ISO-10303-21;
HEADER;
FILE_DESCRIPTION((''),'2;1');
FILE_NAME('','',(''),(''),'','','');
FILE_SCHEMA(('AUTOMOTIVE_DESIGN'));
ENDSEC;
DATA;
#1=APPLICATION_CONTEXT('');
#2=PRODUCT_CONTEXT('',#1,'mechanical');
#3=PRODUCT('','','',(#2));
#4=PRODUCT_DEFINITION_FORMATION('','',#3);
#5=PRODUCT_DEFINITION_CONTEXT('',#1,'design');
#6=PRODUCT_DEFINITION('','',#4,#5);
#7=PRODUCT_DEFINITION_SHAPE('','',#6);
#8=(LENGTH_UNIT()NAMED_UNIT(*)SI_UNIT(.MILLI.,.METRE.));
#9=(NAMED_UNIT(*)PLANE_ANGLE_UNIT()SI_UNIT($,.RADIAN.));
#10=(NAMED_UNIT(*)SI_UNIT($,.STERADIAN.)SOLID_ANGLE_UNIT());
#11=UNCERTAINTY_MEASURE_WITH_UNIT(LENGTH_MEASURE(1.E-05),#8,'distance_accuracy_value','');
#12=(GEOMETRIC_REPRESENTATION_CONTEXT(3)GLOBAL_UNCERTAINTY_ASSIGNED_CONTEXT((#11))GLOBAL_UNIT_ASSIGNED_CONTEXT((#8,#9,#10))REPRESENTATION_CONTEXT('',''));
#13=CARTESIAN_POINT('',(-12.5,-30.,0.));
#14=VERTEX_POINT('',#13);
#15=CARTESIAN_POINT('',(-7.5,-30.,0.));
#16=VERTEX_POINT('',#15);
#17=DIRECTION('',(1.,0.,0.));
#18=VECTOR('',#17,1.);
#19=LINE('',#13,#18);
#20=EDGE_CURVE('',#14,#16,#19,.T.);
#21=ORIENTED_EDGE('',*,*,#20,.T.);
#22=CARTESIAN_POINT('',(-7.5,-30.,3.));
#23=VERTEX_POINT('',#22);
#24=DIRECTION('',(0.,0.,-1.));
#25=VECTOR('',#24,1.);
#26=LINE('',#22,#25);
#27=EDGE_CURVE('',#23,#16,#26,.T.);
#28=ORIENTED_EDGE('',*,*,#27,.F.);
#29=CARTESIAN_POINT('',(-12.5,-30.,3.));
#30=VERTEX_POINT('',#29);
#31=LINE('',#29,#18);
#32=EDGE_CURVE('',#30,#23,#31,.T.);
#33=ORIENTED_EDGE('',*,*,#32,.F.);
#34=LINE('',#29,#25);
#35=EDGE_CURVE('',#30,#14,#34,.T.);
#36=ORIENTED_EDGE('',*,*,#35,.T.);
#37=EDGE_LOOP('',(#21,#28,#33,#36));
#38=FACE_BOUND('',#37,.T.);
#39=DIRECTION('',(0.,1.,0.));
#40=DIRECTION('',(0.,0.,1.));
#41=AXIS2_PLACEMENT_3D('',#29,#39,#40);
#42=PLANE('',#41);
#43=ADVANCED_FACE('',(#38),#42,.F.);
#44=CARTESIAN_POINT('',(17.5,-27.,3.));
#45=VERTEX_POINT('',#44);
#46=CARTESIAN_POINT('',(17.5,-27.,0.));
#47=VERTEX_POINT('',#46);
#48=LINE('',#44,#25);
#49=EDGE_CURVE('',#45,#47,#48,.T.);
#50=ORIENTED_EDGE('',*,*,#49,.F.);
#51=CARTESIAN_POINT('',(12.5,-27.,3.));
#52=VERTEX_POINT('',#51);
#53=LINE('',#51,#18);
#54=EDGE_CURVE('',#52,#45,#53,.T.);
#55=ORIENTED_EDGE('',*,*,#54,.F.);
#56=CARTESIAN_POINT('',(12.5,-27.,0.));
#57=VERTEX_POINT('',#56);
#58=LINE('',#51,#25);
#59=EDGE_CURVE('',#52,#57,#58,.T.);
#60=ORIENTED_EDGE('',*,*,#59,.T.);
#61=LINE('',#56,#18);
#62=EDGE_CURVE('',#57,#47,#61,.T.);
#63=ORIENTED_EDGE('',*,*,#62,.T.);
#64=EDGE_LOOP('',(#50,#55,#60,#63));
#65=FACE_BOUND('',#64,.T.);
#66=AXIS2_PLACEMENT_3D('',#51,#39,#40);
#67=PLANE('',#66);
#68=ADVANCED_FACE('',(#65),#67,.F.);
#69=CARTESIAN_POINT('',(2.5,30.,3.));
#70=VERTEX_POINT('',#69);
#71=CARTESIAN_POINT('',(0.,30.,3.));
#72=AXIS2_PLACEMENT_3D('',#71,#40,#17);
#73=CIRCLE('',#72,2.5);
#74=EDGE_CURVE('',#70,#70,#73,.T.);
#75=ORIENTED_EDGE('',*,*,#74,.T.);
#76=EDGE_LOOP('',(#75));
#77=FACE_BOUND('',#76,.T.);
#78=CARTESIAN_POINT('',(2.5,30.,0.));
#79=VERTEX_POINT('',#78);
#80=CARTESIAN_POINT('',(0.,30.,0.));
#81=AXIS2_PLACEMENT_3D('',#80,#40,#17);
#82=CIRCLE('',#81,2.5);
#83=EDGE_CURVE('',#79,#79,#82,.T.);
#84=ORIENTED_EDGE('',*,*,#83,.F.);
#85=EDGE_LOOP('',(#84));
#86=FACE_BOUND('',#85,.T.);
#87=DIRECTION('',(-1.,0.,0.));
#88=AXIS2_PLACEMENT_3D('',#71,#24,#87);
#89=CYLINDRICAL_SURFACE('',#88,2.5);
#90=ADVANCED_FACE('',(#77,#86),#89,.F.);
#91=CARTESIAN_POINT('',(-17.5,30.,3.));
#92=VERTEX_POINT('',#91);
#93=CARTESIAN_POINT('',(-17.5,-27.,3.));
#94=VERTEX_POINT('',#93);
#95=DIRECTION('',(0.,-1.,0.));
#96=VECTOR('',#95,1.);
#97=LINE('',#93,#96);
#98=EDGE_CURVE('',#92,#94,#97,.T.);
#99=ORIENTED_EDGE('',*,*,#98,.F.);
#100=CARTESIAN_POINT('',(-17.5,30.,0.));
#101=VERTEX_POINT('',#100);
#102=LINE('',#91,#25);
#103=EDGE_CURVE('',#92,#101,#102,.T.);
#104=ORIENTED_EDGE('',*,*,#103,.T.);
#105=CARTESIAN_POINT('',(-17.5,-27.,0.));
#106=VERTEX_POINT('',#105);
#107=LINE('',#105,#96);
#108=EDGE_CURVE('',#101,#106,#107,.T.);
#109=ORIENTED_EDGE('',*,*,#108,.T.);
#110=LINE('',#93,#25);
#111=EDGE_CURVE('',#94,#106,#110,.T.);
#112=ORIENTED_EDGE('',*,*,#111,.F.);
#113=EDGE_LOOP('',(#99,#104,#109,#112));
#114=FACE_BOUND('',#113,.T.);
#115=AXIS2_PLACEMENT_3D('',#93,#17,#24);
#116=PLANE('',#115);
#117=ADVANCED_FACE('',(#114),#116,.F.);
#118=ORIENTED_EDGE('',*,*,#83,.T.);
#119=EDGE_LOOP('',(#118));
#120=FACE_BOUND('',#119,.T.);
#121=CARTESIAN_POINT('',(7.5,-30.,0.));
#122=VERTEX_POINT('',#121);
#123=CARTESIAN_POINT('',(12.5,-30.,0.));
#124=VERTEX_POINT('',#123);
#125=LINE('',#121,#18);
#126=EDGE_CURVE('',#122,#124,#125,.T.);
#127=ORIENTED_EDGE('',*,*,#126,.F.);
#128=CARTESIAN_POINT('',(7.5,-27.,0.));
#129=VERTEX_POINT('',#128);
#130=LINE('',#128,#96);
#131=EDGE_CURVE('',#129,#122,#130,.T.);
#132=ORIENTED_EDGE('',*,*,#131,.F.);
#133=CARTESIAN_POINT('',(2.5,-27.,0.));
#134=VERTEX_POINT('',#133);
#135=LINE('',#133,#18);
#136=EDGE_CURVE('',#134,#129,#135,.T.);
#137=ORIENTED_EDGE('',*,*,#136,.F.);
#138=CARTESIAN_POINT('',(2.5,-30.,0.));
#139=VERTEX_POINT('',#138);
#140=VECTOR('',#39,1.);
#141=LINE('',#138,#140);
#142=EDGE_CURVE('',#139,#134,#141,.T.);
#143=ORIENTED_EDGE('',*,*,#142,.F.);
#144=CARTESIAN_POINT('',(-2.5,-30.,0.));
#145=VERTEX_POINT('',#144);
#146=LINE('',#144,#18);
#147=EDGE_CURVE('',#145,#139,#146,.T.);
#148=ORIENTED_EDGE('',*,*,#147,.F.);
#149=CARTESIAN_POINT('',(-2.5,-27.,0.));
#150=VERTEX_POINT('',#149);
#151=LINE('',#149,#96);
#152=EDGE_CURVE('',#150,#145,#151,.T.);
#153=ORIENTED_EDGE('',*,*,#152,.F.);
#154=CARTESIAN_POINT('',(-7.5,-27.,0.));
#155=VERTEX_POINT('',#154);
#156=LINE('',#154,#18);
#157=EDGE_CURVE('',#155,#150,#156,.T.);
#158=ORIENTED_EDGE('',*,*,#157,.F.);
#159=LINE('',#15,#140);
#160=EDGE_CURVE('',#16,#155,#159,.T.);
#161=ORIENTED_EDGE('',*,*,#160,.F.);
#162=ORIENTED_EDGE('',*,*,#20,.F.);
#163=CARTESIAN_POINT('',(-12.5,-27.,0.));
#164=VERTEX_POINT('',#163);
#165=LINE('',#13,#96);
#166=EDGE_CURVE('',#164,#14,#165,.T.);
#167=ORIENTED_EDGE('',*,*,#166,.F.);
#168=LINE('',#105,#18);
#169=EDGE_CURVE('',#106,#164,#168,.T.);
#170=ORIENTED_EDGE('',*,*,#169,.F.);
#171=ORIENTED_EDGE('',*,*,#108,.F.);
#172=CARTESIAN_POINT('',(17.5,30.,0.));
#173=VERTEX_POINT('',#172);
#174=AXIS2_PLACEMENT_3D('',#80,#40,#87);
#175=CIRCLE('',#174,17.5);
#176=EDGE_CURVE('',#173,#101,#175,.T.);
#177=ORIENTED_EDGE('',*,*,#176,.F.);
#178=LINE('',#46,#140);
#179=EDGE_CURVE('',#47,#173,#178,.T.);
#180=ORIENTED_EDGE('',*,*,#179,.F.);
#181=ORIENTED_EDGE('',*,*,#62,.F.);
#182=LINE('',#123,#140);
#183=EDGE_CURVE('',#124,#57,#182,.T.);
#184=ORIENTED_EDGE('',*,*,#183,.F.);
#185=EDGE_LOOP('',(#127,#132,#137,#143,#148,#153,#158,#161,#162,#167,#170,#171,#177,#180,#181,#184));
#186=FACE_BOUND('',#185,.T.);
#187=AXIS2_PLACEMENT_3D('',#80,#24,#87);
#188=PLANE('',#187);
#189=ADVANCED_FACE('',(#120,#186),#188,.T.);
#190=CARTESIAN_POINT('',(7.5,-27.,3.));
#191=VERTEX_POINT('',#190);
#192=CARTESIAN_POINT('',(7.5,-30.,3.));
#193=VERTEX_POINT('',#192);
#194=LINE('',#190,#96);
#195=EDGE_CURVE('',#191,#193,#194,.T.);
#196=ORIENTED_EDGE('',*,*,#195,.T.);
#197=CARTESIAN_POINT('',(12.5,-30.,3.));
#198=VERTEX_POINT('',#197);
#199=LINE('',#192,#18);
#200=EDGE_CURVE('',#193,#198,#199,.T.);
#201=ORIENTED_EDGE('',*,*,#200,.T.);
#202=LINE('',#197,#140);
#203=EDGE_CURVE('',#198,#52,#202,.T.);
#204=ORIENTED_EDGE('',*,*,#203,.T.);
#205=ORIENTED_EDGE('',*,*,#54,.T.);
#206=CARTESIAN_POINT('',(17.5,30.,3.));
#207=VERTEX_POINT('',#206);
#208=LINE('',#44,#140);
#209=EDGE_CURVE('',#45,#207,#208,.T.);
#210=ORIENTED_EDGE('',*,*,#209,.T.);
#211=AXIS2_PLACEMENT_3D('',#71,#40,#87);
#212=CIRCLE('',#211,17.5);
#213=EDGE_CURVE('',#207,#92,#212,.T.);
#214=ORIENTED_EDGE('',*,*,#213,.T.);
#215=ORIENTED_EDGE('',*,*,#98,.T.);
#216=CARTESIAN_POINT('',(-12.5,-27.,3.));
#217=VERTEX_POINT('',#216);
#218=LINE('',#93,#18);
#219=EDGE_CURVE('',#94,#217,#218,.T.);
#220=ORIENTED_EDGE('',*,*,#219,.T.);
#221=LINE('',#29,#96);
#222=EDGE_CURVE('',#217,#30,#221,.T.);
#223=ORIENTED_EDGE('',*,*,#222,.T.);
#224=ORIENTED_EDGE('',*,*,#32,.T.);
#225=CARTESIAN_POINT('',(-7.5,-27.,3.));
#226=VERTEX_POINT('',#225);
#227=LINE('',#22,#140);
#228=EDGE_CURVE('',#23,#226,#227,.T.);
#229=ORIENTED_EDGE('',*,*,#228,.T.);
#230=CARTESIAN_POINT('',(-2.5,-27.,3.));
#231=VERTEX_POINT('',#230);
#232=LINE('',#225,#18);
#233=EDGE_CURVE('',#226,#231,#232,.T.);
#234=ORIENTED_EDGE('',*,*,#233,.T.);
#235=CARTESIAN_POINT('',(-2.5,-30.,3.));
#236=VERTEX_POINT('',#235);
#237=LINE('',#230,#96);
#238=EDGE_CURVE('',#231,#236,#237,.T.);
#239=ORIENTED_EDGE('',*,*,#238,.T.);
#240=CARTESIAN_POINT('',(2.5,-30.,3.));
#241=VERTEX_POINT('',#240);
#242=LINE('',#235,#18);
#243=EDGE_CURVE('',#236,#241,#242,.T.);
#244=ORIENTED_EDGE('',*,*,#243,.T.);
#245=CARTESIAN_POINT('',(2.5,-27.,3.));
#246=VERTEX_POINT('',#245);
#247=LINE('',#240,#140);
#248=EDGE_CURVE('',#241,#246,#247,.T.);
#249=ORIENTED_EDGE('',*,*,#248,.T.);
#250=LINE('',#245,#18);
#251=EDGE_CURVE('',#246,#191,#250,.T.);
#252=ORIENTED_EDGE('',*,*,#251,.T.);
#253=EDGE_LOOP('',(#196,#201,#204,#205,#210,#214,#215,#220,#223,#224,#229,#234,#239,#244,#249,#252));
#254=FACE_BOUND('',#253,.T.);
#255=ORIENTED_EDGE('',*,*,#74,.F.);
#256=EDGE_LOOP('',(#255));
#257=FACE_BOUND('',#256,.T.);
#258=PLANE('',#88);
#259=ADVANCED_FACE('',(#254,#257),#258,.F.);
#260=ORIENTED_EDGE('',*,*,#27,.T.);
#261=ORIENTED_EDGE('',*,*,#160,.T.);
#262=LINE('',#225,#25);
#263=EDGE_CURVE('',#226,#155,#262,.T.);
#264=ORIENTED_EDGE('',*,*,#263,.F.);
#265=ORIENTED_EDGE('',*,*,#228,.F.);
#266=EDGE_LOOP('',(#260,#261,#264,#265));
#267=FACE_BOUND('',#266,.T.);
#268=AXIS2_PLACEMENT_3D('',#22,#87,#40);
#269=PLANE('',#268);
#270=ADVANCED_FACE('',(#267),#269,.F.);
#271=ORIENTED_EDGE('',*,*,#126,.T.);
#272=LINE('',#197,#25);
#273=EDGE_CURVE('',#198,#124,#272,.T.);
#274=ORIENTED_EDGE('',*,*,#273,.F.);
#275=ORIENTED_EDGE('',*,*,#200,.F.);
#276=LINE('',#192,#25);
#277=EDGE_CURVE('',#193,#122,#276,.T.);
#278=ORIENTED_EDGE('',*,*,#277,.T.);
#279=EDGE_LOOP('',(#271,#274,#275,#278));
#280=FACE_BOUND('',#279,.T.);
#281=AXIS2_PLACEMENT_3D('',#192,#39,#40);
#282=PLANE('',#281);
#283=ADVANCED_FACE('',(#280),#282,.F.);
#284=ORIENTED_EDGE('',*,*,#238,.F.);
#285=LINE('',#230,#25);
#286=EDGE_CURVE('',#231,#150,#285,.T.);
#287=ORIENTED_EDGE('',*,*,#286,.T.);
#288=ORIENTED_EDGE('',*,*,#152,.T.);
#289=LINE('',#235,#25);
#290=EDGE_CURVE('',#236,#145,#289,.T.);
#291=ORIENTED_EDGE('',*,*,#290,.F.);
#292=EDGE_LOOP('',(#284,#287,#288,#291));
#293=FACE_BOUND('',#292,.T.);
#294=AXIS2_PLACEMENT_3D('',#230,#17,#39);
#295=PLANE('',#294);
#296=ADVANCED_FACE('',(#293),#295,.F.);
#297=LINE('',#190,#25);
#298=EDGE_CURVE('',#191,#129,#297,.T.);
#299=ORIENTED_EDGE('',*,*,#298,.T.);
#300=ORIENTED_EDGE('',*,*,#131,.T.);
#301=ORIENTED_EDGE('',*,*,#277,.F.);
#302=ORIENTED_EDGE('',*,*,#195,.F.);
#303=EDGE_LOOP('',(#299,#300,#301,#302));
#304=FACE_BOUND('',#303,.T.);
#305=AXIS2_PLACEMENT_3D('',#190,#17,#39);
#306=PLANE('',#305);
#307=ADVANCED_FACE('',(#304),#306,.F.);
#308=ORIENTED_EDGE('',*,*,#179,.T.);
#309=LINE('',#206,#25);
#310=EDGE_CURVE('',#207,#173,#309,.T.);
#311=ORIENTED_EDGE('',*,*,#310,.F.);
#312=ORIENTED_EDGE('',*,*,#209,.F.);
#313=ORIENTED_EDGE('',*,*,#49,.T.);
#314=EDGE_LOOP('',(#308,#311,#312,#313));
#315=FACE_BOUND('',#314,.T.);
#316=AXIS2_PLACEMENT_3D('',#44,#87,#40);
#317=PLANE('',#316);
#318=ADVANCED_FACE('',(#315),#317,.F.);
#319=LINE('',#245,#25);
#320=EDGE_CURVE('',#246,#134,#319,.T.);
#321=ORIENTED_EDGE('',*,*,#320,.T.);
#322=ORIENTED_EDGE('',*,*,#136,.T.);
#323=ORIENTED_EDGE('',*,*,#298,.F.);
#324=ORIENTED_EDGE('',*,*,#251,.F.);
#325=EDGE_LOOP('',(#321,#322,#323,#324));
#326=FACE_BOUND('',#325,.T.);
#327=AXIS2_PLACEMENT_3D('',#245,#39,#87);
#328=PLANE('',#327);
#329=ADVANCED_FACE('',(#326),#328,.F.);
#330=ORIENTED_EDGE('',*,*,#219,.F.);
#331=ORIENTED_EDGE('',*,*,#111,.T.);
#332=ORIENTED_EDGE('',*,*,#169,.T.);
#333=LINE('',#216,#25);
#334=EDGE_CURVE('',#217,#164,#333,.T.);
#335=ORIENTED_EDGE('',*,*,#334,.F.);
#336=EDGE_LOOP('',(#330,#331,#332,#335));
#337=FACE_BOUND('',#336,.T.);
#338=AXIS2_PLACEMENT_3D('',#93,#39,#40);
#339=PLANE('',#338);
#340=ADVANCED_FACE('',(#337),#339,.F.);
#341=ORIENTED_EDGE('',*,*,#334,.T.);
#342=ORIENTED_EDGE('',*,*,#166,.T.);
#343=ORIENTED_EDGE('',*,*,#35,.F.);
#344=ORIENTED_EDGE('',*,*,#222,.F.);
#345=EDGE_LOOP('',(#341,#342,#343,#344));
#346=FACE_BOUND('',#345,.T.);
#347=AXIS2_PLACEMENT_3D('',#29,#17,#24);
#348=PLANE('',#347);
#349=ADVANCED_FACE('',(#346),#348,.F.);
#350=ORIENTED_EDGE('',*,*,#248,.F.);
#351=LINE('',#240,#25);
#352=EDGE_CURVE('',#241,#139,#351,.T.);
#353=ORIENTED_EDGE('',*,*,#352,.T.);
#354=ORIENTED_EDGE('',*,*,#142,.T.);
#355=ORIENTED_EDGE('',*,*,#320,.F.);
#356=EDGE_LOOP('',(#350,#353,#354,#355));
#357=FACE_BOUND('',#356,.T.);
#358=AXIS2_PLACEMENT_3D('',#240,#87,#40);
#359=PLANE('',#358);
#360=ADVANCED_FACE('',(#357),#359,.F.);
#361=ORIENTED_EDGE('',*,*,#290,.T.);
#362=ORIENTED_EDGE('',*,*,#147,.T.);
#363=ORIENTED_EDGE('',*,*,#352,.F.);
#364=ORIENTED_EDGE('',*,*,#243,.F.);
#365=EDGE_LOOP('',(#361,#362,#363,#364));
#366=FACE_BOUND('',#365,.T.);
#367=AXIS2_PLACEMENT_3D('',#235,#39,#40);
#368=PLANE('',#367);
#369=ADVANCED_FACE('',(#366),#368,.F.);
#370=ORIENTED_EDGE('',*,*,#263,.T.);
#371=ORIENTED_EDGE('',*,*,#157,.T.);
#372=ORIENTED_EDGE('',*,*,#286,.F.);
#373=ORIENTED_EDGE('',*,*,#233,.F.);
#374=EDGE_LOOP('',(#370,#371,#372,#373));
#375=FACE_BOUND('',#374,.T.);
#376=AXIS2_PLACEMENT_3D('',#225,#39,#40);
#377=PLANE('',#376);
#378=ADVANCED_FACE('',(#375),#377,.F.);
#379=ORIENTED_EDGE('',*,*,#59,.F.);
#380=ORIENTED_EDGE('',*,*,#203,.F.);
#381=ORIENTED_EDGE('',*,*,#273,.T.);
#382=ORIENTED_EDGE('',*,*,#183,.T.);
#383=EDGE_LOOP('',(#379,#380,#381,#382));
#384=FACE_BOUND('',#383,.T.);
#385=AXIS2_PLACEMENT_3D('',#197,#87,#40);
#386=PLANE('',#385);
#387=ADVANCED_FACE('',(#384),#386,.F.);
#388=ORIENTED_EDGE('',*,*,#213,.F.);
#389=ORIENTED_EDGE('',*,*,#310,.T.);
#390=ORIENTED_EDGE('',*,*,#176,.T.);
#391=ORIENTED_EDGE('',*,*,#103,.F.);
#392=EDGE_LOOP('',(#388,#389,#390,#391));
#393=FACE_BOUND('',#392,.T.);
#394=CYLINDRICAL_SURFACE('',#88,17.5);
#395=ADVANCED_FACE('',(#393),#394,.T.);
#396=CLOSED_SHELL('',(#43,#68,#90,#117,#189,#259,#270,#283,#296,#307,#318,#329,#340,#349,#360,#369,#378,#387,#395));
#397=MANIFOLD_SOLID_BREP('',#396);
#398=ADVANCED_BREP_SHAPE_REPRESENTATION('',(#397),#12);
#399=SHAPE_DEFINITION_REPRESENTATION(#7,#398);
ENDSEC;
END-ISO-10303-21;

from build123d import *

# Parameters (mm, degrees)
CROQUIS1_R              = 2.5
SALIENTE_EXTRUIR1_DEPTH = 3


with BuildPart() as part:
    # Croquis1 → Saliente-Extruir1 (new body)
    with BuildSketch(Plane.XY):
        with BuildLine():
            Line((-12.5, -30), (-7.5, -30))
            Line((-7.5, -30), (-7.5, -27))
            Line((-7.5, -27), (-2.5, -27))
            Line((-2.5, -27), (-2.5, -30))
            Line((-2.5, -30), (2.5, -30))
            Line((2.5, -30), (2.5, -27))
            Line((2.5, -27), (7.5, -27))
            Line((7.5, -27), (7.5, -30))
            Line((7.5, -30), (12.5, -30))
            Line((12.5, -30), (12.5, -27))
            Line((12.5, -27), (17.5, -27))
            Line((17.5, -27), (17.5, 30))
            ThreePointArc((17.5, 30), (0, 47.5), (-17.5, 30))
            Line((-17.5, 30), (-17.5, -27))
            Line((-17.5, -27), (-12.5, -27))
            Line((-12.5, -27), (-12.5, -30))
        make_face()
        with Locations((0, 30)):
            Circle(CROQUIS1_R, mode=Mode.SUBTRACT)
    extrude(amount=SALIENTE_EXTRUIR1_DEPTH)


solid = part.part
